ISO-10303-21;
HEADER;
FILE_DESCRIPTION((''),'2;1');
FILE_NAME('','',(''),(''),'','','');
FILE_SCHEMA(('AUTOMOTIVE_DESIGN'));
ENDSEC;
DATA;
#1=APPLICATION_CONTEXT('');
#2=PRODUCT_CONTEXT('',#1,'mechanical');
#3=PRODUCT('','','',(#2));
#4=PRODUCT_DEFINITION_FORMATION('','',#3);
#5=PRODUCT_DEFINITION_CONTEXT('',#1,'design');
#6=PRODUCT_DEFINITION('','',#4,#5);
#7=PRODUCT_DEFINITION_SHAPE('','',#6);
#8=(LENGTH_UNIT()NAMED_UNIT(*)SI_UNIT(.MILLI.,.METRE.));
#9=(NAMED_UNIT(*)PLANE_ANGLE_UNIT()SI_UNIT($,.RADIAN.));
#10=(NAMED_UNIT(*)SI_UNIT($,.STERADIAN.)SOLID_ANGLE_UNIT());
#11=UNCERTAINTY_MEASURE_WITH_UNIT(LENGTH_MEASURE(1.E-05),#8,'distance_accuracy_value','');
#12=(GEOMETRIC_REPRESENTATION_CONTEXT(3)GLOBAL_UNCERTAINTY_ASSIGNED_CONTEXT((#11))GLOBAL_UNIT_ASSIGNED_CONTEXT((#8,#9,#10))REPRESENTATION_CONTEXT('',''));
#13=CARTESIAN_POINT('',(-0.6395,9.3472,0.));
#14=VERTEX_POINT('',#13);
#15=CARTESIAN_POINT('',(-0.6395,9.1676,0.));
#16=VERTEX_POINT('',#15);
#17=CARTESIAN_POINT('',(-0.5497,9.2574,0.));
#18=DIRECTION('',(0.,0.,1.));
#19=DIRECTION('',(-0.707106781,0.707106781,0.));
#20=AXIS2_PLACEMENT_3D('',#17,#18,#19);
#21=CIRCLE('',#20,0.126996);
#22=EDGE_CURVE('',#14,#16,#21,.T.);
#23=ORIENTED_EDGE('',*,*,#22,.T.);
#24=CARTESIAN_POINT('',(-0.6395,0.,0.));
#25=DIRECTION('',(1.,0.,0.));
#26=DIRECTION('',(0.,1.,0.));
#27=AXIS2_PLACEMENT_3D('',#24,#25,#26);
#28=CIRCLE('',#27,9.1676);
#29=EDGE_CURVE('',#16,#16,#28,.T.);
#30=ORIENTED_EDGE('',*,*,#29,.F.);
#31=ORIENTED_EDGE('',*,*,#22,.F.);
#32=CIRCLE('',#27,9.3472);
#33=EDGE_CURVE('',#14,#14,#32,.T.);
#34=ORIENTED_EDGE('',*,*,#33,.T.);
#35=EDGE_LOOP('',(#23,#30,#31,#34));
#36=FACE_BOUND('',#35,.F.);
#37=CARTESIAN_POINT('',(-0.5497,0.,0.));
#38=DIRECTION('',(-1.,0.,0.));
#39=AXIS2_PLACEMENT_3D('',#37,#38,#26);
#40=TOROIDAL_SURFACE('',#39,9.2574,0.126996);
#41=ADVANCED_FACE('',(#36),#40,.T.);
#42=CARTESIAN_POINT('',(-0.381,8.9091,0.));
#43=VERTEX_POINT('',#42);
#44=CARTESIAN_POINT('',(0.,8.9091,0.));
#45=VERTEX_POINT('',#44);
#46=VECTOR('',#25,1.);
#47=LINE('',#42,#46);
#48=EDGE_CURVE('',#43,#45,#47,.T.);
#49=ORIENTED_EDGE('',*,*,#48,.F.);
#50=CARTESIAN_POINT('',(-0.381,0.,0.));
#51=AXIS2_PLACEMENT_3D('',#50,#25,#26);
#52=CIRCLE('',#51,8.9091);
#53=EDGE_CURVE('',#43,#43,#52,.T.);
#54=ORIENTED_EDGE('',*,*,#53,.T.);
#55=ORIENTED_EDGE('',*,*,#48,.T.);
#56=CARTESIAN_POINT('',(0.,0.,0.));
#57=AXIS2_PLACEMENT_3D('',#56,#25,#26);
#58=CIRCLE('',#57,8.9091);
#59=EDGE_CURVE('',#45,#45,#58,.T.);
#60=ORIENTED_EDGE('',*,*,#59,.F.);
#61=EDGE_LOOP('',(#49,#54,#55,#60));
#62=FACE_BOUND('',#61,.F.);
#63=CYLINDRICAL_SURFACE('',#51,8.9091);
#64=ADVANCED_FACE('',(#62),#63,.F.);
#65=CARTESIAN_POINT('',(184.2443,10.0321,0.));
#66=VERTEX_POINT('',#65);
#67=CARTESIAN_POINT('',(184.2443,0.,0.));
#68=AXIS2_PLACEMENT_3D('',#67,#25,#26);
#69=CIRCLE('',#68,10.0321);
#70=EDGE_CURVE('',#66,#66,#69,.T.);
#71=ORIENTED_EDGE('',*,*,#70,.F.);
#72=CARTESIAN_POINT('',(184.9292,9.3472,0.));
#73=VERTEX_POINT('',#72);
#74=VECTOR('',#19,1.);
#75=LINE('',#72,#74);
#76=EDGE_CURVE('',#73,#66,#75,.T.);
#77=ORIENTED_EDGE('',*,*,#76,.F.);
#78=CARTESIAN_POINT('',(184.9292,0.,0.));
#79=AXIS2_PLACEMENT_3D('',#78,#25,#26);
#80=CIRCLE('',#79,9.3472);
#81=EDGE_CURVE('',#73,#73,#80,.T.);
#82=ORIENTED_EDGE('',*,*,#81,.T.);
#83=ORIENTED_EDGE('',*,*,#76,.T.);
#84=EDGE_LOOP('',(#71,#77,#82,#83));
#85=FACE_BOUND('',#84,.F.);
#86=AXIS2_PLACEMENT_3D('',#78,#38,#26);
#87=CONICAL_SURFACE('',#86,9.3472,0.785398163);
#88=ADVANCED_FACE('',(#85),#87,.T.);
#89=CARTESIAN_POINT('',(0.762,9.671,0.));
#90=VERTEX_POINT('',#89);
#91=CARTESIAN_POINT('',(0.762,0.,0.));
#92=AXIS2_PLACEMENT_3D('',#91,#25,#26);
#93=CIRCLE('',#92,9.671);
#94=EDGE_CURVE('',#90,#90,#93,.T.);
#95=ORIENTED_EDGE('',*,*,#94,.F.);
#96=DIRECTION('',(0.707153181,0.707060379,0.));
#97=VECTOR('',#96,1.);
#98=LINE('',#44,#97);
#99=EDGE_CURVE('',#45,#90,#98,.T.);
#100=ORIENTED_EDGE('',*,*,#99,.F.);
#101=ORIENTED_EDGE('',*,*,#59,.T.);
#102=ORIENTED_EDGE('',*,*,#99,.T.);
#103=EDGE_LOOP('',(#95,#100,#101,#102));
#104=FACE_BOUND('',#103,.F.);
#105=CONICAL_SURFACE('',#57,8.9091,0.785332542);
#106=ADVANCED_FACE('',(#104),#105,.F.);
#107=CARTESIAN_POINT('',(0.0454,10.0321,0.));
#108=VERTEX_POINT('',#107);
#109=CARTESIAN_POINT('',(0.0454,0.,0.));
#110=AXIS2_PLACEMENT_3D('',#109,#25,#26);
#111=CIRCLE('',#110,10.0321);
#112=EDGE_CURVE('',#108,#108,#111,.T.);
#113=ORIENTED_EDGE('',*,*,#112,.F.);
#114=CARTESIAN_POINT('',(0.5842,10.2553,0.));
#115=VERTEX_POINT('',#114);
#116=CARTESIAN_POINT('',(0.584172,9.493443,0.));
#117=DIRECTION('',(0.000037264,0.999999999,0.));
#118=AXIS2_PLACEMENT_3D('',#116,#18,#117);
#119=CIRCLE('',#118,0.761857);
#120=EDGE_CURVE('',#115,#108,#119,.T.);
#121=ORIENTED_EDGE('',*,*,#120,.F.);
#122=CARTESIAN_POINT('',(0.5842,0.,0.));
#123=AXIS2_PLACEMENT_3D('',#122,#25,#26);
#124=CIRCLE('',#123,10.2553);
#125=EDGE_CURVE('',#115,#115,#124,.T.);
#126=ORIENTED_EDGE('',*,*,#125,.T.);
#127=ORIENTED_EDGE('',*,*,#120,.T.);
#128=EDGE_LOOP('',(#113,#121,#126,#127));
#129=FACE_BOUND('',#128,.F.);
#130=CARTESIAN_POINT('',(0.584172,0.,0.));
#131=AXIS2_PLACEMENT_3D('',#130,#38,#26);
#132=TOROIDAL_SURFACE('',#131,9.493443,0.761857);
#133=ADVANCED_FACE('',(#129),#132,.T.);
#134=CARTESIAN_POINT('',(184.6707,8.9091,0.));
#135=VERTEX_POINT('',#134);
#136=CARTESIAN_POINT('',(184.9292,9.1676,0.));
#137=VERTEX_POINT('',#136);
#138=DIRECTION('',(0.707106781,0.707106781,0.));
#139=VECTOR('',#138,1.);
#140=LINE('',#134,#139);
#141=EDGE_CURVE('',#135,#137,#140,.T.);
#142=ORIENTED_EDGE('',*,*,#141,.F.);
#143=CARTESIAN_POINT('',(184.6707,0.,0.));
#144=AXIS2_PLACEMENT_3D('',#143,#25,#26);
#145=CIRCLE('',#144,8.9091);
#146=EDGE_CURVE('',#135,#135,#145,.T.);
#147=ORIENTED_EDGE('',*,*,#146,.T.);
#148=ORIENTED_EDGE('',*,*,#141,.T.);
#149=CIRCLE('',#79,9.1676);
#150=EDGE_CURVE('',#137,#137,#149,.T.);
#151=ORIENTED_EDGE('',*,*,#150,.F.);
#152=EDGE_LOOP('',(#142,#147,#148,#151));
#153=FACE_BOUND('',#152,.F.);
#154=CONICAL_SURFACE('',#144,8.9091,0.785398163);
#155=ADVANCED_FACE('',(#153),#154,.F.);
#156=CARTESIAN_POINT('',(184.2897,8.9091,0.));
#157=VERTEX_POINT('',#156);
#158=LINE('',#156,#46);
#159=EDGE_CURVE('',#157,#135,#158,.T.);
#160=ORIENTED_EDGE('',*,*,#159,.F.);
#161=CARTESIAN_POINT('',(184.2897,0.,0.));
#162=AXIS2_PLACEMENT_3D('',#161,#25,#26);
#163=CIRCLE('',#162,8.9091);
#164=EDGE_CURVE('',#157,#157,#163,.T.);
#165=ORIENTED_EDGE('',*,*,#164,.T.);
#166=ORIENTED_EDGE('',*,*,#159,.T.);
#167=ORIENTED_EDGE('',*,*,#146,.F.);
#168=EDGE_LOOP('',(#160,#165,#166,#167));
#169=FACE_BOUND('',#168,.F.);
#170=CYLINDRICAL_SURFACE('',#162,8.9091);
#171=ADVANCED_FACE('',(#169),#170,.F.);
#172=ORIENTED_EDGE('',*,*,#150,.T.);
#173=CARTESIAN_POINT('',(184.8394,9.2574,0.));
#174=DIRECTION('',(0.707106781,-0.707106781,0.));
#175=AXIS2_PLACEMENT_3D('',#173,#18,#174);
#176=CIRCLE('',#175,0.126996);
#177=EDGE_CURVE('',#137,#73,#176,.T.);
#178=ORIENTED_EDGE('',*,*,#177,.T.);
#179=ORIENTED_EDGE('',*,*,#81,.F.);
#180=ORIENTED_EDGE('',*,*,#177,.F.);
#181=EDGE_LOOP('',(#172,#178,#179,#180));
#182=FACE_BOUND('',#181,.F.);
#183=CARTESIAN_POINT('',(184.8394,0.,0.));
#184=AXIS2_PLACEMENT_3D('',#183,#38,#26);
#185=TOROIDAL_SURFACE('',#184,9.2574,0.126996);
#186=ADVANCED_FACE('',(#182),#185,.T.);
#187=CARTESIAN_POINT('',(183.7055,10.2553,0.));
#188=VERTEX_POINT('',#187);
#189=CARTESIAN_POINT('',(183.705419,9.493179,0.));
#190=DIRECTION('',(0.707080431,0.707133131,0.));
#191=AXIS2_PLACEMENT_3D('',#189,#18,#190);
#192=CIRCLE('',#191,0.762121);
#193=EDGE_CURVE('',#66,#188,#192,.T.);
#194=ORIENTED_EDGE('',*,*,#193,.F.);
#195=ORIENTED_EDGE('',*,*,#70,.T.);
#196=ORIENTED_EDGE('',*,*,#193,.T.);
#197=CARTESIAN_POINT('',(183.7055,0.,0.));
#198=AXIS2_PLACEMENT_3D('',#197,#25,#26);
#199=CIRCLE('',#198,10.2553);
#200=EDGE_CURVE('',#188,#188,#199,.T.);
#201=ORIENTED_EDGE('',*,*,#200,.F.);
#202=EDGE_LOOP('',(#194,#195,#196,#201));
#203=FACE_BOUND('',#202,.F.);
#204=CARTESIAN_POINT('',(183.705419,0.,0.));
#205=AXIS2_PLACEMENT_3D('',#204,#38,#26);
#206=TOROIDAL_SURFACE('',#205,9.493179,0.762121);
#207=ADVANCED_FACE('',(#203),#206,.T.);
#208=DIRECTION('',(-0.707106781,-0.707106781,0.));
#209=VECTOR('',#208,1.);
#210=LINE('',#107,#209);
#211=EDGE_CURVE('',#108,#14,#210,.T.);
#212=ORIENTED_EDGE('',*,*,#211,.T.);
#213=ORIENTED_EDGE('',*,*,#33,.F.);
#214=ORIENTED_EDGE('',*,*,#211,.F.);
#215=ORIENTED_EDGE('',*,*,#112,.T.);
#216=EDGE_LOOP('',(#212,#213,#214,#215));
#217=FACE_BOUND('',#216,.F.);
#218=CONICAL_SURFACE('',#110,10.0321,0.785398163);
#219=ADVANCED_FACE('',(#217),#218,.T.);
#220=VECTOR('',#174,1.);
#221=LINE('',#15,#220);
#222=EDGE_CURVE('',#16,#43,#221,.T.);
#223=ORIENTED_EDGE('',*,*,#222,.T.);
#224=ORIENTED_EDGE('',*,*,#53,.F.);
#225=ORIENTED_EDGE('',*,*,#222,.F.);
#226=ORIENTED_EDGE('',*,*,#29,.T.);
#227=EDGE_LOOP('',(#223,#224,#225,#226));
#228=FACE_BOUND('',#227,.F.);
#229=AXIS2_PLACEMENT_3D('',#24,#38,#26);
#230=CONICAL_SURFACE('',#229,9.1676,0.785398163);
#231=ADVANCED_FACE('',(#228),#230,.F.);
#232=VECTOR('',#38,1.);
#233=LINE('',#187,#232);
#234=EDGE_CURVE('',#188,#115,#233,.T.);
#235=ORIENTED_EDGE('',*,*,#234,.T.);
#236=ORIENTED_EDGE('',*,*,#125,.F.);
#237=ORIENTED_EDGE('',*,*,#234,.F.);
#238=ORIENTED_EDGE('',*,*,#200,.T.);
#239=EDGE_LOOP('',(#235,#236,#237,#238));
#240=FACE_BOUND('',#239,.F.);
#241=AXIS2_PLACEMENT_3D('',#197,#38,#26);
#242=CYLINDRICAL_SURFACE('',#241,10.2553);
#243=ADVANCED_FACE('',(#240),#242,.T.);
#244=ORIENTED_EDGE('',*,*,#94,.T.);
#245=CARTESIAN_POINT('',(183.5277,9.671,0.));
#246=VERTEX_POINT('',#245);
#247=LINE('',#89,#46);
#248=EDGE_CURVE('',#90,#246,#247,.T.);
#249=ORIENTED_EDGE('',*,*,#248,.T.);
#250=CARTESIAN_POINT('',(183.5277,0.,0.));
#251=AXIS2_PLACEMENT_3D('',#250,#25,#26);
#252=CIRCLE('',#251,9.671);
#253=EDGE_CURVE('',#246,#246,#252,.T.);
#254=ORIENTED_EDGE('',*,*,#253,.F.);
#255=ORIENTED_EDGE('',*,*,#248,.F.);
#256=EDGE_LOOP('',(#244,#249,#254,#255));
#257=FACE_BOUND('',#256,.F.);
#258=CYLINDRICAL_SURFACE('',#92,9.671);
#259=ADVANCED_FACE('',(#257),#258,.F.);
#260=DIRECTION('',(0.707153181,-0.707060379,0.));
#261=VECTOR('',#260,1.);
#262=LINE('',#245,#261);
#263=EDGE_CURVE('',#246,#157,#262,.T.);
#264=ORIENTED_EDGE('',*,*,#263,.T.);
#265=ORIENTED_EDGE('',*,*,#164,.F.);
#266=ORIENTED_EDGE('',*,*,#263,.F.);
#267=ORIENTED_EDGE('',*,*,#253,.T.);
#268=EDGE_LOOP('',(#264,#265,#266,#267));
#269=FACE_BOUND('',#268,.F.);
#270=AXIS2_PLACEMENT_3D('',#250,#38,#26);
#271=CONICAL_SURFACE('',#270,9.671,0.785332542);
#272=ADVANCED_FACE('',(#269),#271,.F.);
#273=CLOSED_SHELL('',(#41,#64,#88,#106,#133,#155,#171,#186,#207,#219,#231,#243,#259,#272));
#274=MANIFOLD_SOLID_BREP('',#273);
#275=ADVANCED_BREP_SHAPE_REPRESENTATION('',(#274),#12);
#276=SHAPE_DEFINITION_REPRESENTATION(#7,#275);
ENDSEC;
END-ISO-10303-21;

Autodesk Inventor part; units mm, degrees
sketch "Sketch_1" plane through (0, 0, 0) normal (0, 0, 1) x (1, 0, 0)
  line L0 (184.2897, 0) -> (0, 0)
  arc A0 (-0.6395, 9.3472) -> (-0.6395, 9.1676) centre (-0.5497, 9.2574) ccw
  line L1 (-0.6395, 9.1676) -> (-0.381, 8.9091)
  line L2 (-0.381, 8.9091) -> (0, 8.9091)
  line L3 (0, 8.9091) -> (0.762, 9.671)
  line L4 (0.762, 9.671) -> (183.5277, 9.671)
  line L5 (183.5277, 9.671) -> (184.2897, 8.9091)
  line L6 (184.2897, 8.9091) -> (184.6707, 8.9091)
  line L7 (184.6707, 8.9091) -> (184.9292, 9.1676)
  arc A1 (184.9292, 9.1676) -> (184.9292, 9.3472) centre (184.8394, 9.2574) ccw
  line L8 (184.9292, 9.3472) -> (184.2443, 10.0321)
  arc A2 (184.2443, 10.0321) -> (183.7055, 10.2553) centre (183.7055, 9.4933) ccw
  line L9 (183.7055, 10.2553) -> (0.5842, 10.2553)
  arc A3 (0.5842, 10.2553) -> (0.0454, 10.0321) centre (0.5842, 9.4933) ccw
  line L10 (0.0454, 10.0321) -> (-0.6395, 9.3472)
revolve "Revolution1" add sketch "Sketch_1" angle 360 about axis through (184.2897, 0, 0) along (1, 0, 0)
ref_plane "cp1_XY" through (92.1449, 10.2553, 0) normal (1, 0, 0) x (0, 0, -1)
ref_plane "cp1_YZ" through (92.1449, 10.2553, 0) normal (0, 0, -1) x (0, 1, 0)
ref_plane "cp1_ZX" through (92.1449, 10.2553, 0) normal (0, 1, 0) x (1, 0, 0)
ref_plane "cp2_XY" through (92.1449, 0, -10.2553) normal (1, 0, 0) x (0, 0, -1)
ref_plane "cp2_YZ" through (92.1449, 0, -10.2553) normal (0, 0, -1) x (0, 1, 0)
ref_plane "cp2_ZX" through (92.1449, 0, -10.2553) normal (0, 1, 0) x (1, 0, 0)
ref_plane "cp3_XY" through (92.1449, -10.2553, 0) normal (1, 0, 0) x (0, 0, -1)
ref_plane "cp3_YZ" through (92.1449, -10.2553, 0) normal (0, 0, -1) x (0, 1, 0)
ref_plane "cp3_ZX" through (92.1449, -10.2553, 0) normal (0, 1, 0) x (1, 0, 0)
ref_plane "cp4_XY" through (92.1449, 0, 10.2553) normal (1, 0, 0) x (0, 0, -1)
ref_plane "cp4_YZ" through (92.1449, 0, 10.2553) normal (0, 0, -1) x (0, 1, 0)
ref_plane "cp4_ZX" through (92.1449, 0, 10.2553) normal (0, 1, 0) x (1, 0, 0)
ref_plane "tube_front_XY" through (0, 0, 0) normal (1, 0, 0) x (0, 0, -1)
ref_plane "tube_front_YZ" through (0, 0, 0) normal (0, 0, -1) x (0, 1, 0)
ref_plane "tube_front_ZX" through (0, 0, 0) normal (0, 1, 0) x (1, 0, 0)
ref_plane "tube_rear_XY" through (184.2897, 0, 0) normal (1, 0, 0) x (0, 0, -1)
ref_plane "tube_rear_YZ" through (184.2897, 0, 0) normal (0, 0, -1) x (0, 1, 0)
ref_plane "tube_rear_ZX" through (184.2897, 0, 0) normal (0, 1, 0) x (1, 0, 0)
properties part number "04R-7.25550C"
